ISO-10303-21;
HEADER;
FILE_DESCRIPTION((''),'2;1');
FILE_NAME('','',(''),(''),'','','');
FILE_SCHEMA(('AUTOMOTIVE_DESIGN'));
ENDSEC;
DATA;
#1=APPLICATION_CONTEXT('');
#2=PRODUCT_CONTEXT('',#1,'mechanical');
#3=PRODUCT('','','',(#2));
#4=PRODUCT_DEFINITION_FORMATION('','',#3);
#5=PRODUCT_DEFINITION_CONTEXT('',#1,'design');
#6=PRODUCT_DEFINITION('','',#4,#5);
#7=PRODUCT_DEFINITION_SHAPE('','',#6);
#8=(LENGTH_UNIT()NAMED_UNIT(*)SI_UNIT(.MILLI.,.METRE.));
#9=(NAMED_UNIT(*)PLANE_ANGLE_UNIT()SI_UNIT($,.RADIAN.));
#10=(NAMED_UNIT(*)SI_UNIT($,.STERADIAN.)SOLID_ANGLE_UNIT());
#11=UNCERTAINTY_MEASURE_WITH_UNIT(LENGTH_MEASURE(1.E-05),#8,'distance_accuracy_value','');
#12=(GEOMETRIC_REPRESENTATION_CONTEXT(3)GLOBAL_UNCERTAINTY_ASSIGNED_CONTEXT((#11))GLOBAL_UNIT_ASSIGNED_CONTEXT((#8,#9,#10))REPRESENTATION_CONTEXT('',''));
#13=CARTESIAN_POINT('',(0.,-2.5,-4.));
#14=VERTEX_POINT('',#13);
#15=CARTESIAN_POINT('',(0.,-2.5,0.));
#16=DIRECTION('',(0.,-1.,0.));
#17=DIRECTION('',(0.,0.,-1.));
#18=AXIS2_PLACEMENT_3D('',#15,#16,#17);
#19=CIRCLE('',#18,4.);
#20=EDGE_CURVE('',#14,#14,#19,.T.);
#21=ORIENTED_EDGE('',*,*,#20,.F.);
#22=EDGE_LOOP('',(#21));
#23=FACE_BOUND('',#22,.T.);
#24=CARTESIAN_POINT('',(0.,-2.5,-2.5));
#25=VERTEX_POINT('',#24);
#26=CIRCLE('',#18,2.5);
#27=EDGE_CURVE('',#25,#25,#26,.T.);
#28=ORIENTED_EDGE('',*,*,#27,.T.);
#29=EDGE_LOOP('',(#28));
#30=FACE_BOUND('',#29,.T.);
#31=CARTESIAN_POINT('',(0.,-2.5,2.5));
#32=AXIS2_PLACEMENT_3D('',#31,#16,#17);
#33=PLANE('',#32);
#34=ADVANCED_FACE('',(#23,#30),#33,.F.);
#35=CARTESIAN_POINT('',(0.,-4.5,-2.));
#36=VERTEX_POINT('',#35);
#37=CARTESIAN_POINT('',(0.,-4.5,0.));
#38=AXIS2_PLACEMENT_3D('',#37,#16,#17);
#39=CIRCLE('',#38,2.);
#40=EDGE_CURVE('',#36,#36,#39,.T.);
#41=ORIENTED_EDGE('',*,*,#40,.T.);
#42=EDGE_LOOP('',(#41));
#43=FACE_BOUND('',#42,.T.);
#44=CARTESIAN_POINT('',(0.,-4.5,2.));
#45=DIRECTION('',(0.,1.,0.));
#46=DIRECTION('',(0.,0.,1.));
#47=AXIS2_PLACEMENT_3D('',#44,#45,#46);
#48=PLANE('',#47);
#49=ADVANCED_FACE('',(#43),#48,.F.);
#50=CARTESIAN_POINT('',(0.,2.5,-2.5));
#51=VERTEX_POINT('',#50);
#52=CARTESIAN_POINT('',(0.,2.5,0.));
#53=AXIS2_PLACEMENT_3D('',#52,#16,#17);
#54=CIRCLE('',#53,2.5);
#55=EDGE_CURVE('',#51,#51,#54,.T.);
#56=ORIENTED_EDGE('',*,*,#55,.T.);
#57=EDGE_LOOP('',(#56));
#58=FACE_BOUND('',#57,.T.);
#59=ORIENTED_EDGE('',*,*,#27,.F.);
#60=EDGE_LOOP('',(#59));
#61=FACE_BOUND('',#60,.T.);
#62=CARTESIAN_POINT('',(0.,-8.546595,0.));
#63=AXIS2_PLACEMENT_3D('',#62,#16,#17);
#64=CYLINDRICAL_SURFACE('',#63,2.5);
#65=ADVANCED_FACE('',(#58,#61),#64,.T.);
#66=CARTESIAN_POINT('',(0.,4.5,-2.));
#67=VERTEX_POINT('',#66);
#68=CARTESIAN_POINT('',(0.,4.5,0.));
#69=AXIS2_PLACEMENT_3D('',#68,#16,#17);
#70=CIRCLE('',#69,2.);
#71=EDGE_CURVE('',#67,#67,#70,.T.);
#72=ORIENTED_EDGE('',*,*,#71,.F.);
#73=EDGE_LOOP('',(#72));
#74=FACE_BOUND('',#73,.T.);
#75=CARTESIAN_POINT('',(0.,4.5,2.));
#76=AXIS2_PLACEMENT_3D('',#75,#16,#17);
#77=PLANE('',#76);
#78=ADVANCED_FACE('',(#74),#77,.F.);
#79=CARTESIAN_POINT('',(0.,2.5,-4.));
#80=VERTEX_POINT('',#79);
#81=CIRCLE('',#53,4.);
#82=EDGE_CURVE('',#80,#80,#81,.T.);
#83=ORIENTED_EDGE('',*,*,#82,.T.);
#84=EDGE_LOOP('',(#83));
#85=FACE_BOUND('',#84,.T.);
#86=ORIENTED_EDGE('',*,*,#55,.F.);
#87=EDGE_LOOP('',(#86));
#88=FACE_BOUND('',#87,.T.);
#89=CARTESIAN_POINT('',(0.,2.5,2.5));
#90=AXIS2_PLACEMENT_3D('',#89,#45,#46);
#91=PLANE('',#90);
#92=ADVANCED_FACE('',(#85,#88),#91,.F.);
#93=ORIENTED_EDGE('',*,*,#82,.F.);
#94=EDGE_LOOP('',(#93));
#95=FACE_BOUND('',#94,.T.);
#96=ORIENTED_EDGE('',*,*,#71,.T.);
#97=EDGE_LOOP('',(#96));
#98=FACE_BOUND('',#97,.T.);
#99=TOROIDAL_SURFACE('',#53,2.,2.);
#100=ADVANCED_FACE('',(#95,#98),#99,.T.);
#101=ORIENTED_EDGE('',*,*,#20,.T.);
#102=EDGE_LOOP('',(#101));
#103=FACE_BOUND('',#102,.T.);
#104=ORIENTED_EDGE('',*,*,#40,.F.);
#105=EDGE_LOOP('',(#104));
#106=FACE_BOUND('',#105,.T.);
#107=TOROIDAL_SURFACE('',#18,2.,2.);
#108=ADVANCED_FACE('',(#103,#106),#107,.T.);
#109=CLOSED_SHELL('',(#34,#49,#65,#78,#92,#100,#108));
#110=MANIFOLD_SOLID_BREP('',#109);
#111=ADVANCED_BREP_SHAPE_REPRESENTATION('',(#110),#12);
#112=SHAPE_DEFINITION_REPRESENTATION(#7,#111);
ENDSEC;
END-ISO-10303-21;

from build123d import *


with BuildPart() as part:
    # Sketch2 → Revolve1 (revolve)
    with BuildSketch(Plane.YZ, mode=Mode.PRIVATE) as revolve1_sk:
        with BuildLine():
            Line((-2.5, 2.5), (2.5, 2.5))
            Line((2.5, 2.5), (2.5, 4))
            ThreePointArc((2.5, 4), (3.914213562, 3.414213562), (4.5, 2))
            Line((4.5, 2), (4.5, 0))
            Line((4.5, 0), (-4.5, 0))
            Line((-4.5, 0), (-4.5, 2))
            ThreePointArc((-4.5, 2), (-3.914213562, 3.414213562), (-2.5, 4))
            Line((-2.5, 4), (-2.5, 2.5))
        make_face()
    revolve(revolve1_sk.sketch.rotate(Axis((0, -8.546595011, 0), (0, 1, 0)), 180), axis=Axis((0, -8.546595011, 0), (0, 1, 0)))


solid = part.part
